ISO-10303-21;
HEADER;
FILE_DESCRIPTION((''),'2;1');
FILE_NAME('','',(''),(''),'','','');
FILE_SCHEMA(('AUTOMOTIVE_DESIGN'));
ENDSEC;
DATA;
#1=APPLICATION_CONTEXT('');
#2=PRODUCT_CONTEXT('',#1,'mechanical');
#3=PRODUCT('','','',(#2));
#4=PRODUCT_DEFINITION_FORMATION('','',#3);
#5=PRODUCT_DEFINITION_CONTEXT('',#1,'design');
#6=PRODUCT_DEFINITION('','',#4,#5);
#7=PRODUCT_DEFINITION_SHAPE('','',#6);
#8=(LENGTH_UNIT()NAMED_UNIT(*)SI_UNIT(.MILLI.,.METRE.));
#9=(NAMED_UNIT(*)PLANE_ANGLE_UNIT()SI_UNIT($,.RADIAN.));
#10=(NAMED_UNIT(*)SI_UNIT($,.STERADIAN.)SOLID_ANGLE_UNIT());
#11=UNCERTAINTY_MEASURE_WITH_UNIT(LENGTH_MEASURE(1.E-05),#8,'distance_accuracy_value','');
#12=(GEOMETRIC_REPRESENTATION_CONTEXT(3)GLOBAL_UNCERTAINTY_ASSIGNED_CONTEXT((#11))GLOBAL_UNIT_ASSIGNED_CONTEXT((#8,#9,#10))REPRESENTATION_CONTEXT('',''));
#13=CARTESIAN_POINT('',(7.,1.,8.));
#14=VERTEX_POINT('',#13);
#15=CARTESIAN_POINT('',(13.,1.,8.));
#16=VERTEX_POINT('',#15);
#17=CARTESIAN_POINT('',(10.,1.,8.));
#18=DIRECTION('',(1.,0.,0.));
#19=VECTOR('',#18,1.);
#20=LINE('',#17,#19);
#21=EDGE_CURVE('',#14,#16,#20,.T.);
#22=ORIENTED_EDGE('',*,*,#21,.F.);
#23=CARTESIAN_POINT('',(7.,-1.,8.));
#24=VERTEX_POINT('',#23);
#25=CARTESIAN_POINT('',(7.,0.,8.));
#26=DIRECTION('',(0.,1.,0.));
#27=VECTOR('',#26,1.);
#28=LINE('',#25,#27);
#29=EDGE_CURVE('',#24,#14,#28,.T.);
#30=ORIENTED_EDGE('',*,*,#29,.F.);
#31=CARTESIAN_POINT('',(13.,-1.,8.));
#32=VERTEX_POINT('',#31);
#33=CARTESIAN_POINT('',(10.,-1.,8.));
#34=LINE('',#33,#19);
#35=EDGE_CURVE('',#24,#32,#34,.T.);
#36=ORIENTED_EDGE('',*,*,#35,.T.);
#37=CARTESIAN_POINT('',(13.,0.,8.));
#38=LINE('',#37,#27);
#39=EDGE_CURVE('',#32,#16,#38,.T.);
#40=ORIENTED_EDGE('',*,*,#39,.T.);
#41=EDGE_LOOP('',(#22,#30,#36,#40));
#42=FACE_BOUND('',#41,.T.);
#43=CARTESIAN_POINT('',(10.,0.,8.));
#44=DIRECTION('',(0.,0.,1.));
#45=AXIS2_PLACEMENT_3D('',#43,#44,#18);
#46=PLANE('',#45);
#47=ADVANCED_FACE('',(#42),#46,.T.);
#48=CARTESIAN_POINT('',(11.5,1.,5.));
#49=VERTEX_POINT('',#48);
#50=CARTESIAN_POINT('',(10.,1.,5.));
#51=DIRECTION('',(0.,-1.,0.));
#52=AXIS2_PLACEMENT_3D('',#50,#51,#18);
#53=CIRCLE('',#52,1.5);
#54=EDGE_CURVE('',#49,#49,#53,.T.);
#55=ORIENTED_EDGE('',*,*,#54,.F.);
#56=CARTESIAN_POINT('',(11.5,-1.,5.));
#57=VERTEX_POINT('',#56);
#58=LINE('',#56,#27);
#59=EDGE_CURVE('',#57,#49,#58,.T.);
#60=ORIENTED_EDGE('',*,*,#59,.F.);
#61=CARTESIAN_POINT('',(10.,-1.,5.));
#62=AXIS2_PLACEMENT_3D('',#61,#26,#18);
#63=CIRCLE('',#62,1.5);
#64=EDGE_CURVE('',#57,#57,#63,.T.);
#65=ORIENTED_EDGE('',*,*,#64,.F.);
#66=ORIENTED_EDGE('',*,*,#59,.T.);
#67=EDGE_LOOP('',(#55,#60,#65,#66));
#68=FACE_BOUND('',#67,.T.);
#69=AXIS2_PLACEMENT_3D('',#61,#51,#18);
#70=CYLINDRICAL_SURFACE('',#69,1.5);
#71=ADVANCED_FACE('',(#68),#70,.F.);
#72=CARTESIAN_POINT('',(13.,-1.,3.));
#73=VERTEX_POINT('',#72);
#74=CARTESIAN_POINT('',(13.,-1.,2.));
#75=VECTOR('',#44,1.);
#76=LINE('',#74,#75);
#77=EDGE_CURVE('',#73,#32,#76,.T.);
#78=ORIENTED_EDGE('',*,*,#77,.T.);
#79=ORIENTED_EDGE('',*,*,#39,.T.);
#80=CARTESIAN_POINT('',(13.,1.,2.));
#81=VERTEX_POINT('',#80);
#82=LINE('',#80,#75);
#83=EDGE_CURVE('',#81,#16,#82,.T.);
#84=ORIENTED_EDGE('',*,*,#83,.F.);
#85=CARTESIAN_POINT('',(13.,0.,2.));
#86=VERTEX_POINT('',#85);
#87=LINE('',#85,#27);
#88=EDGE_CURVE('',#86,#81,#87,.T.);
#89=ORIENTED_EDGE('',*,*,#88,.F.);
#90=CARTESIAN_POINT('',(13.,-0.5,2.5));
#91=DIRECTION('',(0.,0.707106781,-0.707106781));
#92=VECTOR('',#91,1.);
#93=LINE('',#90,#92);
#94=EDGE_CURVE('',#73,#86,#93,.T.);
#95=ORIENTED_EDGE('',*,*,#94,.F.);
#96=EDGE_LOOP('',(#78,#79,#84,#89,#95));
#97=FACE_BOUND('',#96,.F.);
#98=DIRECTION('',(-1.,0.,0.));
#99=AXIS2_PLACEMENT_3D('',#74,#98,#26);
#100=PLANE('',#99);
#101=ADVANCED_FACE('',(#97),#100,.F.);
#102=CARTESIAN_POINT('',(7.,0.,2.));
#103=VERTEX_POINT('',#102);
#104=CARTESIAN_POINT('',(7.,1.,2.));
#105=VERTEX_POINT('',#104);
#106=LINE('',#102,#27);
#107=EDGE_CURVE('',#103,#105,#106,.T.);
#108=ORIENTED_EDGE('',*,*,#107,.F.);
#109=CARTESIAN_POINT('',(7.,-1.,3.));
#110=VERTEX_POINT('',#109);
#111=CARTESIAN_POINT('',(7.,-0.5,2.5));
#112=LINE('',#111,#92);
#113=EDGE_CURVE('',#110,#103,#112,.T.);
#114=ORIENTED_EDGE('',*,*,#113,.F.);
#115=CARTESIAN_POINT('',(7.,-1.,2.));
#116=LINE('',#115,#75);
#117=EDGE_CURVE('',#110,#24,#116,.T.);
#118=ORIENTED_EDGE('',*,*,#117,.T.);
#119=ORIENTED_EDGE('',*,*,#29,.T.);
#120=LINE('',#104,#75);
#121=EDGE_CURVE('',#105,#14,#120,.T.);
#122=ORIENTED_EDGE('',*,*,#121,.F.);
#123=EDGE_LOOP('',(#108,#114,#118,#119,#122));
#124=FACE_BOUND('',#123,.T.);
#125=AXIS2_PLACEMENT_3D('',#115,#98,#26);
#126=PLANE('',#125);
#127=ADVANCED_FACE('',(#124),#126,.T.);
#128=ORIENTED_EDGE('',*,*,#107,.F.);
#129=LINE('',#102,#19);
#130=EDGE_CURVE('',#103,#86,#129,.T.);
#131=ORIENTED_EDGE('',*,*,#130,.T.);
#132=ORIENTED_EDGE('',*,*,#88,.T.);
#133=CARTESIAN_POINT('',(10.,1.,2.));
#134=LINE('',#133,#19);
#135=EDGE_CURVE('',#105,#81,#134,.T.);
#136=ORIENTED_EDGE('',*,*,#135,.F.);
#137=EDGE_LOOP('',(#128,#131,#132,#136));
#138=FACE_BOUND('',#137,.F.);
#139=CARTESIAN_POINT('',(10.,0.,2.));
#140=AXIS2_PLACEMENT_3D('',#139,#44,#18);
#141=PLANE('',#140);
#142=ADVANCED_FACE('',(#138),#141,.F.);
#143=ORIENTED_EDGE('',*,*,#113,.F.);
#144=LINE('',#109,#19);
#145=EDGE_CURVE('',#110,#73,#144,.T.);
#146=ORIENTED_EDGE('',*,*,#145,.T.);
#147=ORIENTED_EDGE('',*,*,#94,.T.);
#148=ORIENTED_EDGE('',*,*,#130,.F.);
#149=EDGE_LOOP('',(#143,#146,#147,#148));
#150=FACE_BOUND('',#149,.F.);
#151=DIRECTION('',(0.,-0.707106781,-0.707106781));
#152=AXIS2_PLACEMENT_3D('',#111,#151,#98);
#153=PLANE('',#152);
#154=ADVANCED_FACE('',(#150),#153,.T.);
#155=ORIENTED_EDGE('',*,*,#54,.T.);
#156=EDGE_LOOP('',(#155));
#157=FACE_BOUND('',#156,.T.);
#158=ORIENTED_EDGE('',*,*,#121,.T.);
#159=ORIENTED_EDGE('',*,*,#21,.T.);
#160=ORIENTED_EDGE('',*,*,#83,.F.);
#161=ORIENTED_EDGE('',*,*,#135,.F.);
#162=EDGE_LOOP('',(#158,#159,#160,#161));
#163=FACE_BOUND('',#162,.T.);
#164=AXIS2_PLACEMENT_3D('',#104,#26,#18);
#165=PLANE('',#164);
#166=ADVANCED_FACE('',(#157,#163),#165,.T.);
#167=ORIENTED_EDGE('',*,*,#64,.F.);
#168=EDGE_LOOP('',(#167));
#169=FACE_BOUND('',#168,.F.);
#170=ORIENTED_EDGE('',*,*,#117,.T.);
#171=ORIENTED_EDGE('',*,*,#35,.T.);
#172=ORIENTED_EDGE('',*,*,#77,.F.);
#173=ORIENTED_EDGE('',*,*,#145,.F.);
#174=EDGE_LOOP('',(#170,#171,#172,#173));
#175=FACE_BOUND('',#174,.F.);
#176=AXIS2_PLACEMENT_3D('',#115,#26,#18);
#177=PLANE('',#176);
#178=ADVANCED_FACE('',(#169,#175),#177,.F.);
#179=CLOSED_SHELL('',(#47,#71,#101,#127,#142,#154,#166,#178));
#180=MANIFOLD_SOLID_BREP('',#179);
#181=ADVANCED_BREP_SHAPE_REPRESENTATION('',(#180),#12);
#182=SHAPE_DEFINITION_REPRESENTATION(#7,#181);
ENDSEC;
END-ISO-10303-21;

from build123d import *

# Parameters (mm, degrees)
CYLINDER_R      = 1.5
CYLINDER_DEPTH  = 10
BOX001_W        = 6
BOX001_H        = 2
BOX001_DEPTH    = 6
CHAMFER002_SIZE = 1


with BuildPart() as cylinder:
    # Cylinder → Cylinder (new body)
    with BuildSketch(Plane(origin=(10, -1, 5), x_dir=(1, 0, 0), z_dir=(0, 1, 0))):
        Circle(CYLINDER_R)
    extrude(amount=CYLINDER_DEPTH)


with BuildPart() as cut001:
    # Box001 → Box001 (new body)
    with BuildSketch(Plane(origin=(7, -1, 2), x_dir=(1, 0, 0), z_dir=(0, 0, 1))):
        with Locations((3, 1)):
            Rectangle(BOX001_W, BOX001_H)
    extrude(amount=BOX001_DEPTH)

    # Chamfer002
    chamfer002_edges = [cut001.edges().sort_by_distance(p)[0] for p in [
        (10, -1, 2),
    ]]
    chamfer(chamfer002_edges, length=CHAMFER002_SIZE)

    # Cut001: cut Cylinder
    add(cylinder.part, mode=Mode.SUBTRACT)


solid = cut001.part
